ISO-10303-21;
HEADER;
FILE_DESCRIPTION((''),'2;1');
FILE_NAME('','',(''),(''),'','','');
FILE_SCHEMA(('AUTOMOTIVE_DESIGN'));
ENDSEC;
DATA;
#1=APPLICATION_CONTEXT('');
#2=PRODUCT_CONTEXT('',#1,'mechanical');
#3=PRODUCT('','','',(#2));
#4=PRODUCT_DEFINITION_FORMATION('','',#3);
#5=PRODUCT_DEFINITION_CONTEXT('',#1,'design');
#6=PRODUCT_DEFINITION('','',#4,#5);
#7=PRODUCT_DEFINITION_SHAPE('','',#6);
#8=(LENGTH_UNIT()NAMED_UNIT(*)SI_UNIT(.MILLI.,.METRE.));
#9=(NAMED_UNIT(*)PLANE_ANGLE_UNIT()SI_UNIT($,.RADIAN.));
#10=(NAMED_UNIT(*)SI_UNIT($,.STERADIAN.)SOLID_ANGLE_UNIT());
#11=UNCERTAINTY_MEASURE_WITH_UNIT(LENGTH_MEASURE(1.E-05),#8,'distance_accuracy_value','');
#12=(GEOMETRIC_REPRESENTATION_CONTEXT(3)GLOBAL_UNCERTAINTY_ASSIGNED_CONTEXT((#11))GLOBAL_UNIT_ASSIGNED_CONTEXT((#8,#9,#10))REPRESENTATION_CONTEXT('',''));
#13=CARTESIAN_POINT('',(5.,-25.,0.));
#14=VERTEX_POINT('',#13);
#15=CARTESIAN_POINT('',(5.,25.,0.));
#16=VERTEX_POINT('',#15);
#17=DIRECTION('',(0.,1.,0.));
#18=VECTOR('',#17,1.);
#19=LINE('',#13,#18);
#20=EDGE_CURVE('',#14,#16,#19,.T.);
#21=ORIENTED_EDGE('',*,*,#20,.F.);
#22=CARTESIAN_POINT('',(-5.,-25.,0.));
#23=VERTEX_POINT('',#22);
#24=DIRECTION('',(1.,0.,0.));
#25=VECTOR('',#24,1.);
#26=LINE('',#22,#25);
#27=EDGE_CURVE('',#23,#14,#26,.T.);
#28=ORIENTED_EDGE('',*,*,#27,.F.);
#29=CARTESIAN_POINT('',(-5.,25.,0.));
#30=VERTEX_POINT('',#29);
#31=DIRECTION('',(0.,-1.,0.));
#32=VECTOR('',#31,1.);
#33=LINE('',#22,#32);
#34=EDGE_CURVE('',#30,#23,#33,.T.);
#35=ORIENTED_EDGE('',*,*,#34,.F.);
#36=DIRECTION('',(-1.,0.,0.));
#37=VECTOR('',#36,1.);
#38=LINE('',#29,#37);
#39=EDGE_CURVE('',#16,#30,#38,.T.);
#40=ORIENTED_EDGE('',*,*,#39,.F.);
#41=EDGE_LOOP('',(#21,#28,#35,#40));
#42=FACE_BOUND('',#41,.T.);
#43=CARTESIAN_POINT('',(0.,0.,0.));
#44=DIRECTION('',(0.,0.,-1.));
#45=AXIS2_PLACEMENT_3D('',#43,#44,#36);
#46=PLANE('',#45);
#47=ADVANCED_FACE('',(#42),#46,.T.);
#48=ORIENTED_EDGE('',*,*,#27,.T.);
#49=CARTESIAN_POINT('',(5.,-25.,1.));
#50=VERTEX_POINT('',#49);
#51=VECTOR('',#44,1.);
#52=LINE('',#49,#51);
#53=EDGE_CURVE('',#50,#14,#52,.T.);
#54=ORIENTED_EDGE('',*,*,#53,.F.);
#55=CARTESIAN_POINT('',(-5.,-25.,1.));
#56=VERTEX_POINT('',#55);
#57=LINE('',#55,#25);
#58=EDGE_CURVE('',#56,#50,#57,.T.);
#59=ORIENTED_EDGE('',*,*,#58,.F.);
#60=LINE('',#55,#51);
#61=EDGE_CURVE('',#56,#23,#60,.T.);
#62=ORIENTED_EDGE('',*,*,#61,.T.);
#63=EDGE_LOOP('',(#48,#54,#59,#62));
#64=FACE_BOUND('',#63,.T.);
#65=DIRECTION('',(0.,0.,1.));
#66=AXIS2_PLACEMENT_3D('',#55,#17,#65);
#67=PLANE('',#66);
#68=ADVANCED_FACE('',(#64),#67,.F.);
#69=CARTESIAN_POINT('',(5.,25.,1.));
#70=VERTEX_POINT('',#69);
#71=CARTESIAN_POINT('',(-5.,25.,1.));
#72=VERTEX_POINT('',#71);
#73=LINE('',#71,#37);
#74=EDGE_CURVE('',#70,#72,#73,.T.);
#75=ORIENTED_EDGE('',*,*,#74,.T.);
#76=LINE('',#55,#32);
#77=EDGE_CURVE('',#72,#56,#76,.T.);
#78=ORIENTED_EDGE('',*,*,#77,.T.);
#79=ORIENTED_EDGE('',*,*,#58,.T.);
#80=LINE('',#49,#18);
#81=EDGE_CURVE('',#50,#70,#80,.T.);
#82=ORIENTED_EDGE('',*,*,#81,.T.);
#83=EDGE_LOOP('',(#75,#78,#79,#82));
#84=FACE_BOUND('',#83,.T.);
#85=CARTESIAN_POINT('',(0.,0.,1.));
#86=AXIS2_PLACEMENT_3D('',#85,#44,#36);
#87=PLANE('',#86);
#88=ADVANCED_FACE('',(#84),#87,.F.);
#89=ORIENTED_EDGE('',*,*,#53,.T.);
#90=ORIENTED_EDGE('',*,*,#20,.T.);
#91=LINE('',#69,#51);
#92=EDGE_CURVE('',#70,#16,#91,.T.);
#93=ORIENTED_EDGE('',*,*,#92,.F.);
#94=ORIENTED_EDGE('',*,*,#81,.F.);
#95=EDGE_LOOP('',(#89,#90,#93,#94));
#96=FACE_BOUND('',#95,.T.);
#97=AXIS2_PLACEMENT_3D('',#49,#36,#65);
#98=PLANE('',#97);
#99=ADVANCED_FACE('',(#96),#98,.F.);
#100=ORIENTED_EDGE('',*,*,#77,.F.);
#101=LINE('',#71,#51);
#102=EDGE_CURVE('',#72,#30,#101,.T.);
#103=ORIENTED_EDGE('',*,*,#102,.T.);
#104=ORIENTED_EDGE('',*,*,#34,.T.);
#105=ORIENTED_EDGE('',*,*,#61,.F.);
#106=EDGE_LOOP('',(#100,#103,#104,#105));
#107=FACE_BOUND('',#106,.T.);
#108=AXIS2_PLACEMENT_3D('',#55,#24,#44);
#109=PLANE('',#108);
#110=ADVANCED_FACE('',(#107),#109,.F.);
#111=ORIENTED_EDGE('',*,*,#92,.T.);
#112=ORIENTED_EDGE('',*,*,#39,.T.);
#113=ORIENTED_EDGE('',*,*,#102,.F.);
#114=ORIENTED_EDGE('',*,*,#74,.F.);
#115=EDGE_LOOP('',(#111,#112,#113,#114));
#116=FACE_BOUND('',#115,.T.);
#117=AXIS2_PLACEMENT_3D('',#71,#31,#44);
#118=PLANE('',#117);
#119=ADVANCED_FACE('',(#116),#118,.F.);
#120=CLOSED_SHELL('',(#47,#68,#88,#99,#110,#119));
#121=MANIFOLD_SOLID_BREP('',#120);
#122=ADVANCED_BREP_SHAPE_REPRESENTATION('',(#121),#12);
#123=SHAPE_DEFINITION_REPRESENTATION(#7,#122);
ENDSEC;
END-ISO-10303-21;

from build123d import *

# Parameters (mm, degrees)
SKETCH1_W           = 10
SKETCH1_H           = 50
BOSS_EXTRUDE1_DEPTH = 1


with BuildPart() as part:
    # Sketch1 → Boss-Extrude1 (new body)
    with BuildSketch(Plane.XY):
        Rectangle(SKETCH1_W, SKETCH1_H)
    extrude(amount=BOSS_EXTRUDE1_DEPTH)


solid = part.part
